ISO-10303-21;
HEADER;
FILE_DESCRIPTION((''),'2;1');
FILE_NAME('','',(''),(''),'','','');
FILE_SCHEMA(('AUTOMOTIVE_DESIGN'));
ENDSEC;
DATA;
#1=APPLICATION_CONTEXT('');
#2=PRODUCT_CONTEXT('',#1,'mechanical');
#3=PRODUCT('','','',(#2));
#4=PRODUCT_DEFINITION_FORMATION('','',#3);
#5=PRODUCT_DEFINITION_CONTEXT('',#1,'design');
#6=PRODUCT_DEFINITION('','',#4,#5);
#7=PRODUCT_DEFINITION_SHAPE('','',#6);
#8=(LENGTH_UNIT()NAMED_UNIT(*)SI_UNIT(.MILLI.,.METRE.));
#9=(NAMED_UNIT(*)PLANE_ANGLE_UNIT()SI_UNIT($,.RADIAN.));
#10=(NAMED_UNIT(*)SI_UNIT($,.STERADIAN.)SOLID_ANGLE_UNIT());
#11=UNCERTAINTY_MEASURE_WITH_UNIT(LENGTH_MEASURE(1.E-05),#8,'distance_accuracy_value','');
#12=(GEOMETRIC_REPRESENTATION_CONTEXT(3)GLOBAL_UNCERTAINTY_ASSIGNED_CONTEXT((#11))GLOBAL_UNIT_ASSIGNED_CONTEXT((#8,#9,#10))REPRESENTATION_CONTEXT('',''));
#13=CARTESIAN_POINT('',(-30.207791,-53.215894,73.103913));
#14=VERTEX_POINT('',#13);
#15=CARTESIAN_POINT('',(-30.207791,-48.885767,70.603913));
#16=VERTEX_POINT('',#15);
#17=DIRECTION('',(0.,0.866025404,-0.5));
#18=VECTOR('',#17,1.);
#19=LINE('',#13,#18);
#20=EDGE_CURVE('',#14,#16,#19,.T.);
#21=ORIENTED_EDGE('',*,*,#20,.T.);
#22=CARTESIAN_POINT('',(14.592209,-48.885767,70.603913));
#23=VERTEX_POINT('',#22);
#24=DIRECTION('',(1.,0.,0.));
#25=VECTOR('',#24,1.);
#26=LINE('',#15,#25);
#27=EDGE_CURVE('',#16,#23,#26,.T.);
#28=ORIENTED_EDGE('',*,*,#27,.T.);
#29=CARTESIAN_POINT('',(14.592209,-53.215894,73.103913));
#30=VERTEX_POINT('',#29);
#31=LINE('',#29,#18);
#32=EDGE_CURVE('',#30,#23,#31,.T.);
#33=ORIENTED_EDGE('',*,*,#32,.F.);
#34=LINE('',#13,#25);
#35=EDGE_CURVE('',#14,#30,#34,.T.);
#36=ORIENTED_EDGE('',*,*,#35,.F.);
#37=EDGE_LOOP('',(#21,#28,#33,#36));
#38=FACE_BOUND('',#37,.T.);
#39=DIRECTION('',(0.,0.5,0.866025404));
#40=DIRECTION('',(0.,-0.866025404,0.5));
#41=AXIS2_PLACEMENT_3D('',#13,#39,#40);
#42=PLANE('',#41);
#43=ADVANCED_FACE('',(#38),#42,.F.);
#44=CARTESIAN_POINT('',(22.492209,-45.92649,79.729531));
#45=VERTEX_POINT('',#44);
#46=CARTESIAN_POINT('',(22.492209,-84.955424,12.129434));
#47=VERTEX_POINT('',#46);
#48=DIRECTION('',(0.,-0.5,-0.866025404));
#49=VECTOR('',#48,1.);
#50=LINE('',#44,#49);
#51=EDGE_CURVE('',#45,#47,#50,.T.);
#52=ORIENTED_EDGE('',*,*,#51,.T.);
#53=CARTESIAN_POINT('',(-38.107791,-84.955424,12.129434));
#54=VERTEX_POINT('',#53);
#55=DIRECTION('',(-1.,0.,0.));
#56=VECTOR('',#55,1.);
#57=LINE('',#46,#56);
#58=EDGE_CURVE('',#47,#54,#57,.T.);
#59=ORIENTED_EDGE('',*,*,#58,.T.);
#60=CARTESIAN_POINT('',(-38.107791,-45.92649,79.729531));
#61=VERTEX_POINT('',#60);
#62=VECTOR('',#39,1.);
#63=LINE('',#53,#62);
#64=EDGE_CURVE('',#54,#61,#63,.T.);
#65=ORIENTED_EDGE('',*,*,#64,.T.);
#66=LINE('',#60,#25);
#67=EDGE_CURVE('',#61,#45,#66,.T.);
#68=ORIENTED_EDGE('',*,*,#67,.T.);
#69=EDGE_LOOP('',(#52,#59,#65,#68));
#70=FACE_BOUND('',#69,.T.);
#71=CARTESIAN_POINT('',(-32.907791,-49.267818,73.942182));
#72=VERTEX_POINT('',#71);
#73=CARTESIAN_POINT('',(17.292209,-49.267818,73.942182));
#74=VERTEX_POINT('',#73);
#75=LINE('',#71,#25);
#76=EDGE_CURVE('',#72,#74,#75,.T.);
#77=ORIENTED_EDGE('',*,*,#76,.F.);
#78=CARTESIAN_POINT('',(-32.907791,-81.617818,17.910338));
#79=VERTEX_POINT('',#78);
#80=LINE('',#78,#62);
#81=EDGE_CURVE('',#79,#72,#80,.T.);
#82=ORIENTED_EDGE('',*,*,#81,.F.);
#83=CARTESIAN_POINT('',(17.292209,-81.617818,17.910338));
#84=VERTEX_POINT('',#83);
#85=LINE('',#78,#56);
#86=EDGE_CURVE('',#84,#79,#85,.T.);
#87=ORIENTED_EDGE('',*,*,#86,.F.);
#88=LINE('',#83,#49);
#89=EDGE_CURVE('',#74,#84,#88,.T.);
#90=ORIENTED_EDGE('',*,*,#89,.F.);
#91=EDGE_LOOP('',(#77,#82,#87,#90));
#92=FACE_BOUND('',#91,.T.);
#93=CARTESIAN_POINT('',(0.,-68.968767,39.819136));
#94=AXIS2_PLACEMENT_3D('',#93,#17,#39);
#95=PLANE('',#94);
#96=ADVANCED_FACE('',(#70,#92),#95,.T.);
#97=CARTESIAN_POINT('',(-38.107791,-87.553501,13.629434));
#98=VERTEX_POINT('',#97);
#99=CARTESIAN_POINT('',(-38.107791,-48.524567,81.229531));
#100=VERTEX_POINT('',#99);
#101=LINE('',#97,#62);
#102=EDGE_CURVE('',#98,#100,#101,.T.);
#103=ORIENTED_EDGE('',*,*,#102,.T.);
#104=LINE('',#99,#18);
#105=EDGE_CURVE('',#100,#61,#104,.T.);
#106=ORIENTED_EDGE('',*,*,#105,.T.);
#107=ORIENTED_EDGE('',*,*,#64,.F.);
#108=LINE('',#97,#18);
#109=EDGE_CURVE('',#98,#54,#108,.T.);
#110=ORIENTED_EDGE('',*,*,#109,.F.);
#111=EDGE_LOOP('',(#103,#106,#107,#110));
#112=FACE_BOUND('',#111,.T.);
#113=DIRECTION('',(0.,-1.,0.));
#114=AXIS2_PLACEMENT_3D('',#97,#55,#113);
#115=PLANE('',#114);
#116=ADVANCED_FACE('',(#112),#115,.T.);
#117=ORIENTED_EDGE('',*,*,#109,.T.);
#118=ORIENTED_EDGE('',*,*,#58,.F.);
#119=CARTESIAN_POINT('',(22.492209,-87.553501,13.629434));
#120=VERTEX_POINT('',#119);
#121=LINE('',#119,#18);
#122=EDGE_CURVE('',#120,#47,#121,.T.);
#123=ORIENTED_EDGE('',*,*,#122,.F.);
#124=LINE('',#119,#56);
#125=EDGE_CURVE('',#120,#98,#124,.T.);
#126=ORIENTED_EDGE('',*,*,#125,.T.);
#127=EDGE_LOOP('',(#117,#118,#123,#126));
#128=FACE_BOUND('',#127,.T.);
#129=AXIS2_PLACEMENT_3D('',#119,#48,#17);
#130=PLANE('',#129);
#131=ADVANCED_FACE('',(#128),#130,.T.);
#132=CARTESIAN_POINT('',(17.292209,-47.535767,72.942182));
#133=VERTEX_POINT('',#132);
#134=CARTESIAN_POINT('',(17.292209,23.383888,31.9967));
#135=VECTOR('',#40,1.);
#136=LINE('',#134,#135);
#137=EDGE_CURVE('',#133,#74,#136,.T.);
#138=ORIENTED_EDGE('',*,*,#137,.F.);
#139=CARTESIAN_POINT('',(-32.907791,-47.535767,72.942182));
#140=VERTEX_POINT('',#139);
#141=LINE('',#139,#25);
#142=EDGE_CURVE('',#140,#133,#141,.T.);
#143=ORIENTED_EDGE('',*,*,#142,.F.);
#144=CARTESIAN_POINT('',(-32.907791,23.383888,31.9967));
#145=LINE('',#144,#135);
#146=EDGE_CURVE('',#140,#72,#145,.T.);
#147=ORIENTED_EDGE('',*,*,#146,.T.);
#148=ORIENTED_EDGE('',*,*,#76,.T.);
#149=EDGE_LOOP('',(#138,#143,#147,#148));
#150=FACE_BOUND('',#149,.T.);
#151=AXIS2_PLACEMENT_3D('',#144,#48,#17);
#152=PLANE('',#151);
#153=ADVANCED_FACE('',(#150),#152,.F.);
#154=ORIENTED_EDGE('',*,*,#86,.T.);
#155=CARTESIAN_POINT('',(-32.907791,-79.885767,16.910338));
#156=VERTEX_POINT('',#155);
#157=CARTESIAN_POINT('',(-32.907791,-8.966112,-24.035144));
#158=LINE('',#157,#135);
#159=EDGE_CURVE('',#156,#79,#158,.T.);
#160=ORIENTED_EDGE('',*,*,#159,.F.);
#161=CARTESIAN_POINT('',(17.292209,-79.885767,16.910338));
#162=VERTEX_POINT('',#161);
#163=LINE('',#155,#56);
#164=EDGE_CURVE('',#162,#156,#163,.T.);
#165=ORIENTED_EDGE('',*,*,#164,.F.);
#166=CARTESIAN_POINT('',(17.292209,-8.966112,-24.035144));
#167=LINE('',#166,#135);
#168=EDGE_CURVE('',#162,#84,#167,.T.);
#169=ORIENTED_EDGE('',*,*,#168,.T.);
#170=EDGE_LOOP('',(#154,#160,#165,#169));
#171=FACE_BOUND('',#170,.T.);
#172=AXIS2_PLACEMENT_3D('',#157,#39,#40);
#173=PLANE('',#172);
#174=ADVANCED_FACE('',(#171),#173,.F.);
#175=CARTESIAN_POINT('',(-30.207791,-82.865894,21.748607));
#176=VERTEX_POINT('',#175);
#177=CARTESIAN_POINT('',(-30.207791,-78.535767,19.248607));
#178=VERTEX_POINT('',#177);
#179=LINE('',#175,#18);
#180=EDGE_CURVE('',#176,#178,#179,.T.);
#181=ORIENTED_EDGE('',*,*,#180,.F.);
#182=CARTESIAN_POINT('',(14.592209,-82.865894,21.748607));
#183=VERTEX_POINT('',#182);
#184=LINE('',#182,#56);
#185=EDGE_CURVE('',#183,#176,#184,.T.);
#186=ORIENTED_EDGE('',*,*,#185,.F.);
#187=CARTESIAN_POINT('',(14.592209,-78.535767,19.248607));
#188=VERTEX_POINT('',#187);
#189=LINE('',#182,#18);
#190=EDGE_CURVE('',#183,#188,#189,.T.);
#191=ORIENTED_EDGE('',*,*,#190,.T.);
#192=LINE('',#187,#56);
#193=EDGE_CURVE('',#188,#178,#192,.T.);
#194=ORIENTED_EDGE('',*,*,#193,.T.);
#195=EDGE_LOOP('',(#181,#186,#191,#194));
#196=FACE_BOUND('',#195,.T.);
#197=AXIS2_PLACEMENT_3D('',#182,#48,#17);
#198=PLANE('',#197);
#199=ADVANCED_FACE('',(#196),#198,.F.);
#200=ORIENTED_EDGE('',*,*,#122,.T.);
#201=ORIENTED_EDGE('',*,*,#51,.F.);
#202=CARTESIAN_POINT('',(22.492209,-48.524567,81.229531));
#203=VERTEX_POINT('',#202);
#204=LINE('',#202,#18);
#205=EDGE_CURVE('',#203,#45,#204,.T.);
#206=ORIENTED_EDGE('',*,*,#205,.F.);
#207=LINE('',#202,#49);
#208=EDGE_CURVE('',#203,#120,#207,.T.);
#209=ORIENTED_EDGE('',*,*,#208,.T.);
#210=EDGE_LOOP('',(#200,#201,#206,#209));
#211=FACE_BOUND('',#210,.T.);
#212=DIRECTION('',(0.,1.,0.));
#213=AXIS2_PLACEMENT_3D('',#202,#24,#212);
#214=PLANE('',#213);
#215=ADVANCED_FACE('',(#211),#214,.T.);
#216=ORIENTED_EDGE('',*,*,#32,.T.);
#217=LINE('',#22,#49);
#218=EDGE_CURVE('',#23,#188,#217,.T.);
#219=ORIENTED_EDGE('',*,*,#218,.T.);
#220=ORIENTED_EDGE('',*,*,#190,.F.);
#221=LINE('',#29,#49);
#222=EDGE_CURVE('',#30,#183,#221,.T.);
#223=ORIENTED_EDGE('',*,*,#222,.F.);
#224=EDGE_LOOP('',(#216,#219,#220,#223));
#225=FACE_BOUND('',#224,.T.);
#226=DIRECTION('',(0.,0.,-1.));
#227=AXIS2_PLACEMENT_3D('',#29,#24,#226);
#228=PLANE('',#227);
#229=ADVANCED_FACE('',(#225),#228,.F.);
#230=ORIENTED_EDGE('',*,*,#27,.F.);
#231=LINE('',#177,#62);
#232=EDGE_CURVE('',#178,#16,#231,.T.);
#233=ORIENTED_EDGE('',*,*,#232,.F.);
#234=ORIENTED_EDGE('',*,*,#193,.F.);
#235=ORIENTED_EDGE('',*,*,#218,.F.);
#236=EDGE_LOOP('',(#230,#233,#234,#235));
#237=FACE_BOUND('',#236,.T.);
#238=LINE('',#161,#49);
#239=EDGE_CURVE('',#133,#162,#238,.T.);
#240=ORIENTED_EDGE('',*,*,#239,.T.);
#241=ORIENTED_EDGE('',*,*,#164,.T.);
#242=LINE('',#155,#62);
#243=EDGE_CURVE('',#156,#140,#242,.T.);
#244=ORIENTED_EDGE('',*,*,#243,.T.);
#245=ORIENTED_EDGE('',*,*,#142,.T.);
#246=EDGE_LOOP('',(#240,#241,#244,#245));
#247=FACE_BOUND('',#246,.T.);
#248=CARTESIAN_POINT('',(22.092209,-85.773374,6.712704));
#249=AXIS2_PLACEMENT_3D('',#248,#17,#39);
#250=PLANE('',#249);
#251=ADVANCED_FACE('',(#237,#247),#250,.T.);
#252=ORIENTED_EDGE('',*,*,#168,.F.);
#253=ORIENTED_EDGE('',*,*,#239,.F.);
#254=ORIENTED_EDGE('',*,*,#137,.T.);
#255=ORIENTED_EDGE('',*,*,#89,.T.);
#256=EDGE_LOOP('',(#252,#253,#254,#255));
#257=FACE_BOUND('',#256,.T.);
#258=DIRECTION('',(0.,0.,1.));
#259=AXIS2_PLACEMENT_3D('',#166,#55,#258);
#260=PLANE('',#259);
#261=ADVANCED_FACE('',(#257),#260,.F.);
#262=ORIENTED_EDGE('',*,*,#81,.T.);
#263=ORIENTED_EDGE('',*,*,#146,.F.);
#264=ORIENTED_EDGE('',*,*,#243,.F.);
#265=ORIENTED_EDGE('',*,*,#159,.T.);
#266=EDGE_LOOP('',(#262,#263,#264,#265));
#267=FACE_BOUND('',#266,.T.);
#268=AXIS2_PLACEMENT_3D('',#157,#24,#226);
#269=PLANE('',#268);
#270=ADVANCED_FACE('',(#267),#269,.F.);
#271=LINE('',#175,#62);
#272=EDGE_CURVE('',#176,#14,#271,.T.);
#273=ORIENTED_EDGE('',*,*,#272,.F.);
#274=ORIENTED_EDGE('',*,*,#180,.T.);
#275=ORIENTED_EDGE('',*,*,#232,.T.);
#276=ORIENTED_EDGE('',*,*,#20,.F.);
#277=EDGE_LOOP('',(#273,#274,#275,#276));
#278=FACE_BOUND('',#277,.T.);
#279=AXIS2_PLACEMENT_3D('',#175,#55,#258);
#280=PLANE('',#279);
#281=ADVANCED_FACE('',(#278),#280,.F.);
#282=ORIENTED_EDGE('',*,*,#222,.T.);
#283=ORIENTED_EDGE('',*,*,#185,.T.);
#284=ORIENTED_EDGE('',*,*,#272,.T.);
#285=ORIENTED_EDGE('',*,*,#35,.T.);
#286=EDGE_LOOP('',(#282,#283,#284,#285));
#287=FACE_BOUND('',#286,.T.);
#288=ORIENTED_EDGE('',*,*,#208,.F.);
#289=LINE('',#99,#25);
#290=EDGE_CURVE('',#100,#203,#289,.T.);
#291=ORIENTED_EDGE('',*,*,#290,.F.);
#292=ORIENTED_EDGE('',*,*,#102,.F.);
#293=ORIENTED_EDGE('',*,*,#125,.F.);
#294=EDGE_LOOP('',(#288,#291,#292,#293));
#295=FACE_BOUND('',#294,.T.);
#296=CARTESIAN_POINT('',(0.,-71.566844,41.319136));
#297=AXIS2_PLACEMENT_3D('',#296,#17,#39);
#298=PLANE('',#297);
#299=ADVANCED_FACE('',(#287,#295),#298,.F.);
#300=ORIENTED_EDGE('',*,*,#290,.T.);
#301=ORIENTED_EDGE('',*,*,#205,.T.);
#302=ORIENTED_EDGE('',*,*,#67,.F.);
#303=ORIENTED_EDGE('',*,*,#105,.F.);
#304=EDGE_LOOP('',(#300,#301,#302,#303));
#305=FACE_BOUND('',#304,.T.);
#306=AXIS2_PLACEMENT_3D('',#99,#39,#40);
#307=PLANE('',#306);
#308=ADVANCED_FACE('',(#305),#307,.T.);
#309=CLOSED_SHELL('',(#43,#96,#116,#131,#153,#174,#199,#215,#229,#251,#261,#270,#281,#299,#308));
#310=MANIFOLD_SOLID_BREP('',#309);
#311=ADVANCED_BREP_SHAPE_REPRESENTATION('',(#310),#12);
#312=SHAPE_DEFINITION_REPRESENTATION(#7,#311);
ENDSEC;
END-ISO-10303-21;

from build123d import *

# Parameters (mm, degrees)
SKETCH1_W           = 60.6
SKETCH1_H           = 78.05786816
SKETCH1_W_2         = 44.8
SKETCH1_H_2         = 59.3
BOSS_EXTRUDE1_DEPTH = 3
SKETCH2_W           = 50.200000001
SKETCH2_H           = 64.7
SKETCH2_W_2         = 44.8
SKETCH2_H_2         = 59.299999999
BOSS_EXTRUDE2_DEPTH = 2


with BuildPart() as part:
    # Sketch1 → Boss-Extrude1 (new body)
    with BuildSketch(Plane(origin=(-8e-09, -784.034696128, -1198.711383076), x_dir=(1, 0, 0), z_dir=(0, 0.8660254037844385, -0.5000000000000002))):
        with Locations((-7.807791054, -1437.18747743)):
            Rectangle(SKETCH1_W, SKETCH1_H)
        with Locations((-7.807791055, -1437.183756537)):
            Rectangle(SKETCH1_W_2, SKETCH1_H_2, mode=Mode.SUBTRACT)
    extrude(amount=-BOSS_EXTRUDE1_DEPTH)

    # Sketch2 → Boss-Extrude2 (add)
    with BuildSketch(Plane(origin=(0, -68.968767322, 39.819136379), x_dir=(1, 0, 0), z_dir=(0, 0.8660254037844385, -0.5000000000000002))):
        with Locations((-7.807791061, -7.051898924)):
            Rectangle(SKETCH2_W, SKETCH2_H)
        with Locations((-7.807791063, -7.051898923)):
            Rectangle(SKETCH2_W_2, SKETCH2_H_2, mode=Mode.SUBTRACT)
    extrude(amount=BOSS_EXTRUDE2_DEPTH)


solid = part.part
